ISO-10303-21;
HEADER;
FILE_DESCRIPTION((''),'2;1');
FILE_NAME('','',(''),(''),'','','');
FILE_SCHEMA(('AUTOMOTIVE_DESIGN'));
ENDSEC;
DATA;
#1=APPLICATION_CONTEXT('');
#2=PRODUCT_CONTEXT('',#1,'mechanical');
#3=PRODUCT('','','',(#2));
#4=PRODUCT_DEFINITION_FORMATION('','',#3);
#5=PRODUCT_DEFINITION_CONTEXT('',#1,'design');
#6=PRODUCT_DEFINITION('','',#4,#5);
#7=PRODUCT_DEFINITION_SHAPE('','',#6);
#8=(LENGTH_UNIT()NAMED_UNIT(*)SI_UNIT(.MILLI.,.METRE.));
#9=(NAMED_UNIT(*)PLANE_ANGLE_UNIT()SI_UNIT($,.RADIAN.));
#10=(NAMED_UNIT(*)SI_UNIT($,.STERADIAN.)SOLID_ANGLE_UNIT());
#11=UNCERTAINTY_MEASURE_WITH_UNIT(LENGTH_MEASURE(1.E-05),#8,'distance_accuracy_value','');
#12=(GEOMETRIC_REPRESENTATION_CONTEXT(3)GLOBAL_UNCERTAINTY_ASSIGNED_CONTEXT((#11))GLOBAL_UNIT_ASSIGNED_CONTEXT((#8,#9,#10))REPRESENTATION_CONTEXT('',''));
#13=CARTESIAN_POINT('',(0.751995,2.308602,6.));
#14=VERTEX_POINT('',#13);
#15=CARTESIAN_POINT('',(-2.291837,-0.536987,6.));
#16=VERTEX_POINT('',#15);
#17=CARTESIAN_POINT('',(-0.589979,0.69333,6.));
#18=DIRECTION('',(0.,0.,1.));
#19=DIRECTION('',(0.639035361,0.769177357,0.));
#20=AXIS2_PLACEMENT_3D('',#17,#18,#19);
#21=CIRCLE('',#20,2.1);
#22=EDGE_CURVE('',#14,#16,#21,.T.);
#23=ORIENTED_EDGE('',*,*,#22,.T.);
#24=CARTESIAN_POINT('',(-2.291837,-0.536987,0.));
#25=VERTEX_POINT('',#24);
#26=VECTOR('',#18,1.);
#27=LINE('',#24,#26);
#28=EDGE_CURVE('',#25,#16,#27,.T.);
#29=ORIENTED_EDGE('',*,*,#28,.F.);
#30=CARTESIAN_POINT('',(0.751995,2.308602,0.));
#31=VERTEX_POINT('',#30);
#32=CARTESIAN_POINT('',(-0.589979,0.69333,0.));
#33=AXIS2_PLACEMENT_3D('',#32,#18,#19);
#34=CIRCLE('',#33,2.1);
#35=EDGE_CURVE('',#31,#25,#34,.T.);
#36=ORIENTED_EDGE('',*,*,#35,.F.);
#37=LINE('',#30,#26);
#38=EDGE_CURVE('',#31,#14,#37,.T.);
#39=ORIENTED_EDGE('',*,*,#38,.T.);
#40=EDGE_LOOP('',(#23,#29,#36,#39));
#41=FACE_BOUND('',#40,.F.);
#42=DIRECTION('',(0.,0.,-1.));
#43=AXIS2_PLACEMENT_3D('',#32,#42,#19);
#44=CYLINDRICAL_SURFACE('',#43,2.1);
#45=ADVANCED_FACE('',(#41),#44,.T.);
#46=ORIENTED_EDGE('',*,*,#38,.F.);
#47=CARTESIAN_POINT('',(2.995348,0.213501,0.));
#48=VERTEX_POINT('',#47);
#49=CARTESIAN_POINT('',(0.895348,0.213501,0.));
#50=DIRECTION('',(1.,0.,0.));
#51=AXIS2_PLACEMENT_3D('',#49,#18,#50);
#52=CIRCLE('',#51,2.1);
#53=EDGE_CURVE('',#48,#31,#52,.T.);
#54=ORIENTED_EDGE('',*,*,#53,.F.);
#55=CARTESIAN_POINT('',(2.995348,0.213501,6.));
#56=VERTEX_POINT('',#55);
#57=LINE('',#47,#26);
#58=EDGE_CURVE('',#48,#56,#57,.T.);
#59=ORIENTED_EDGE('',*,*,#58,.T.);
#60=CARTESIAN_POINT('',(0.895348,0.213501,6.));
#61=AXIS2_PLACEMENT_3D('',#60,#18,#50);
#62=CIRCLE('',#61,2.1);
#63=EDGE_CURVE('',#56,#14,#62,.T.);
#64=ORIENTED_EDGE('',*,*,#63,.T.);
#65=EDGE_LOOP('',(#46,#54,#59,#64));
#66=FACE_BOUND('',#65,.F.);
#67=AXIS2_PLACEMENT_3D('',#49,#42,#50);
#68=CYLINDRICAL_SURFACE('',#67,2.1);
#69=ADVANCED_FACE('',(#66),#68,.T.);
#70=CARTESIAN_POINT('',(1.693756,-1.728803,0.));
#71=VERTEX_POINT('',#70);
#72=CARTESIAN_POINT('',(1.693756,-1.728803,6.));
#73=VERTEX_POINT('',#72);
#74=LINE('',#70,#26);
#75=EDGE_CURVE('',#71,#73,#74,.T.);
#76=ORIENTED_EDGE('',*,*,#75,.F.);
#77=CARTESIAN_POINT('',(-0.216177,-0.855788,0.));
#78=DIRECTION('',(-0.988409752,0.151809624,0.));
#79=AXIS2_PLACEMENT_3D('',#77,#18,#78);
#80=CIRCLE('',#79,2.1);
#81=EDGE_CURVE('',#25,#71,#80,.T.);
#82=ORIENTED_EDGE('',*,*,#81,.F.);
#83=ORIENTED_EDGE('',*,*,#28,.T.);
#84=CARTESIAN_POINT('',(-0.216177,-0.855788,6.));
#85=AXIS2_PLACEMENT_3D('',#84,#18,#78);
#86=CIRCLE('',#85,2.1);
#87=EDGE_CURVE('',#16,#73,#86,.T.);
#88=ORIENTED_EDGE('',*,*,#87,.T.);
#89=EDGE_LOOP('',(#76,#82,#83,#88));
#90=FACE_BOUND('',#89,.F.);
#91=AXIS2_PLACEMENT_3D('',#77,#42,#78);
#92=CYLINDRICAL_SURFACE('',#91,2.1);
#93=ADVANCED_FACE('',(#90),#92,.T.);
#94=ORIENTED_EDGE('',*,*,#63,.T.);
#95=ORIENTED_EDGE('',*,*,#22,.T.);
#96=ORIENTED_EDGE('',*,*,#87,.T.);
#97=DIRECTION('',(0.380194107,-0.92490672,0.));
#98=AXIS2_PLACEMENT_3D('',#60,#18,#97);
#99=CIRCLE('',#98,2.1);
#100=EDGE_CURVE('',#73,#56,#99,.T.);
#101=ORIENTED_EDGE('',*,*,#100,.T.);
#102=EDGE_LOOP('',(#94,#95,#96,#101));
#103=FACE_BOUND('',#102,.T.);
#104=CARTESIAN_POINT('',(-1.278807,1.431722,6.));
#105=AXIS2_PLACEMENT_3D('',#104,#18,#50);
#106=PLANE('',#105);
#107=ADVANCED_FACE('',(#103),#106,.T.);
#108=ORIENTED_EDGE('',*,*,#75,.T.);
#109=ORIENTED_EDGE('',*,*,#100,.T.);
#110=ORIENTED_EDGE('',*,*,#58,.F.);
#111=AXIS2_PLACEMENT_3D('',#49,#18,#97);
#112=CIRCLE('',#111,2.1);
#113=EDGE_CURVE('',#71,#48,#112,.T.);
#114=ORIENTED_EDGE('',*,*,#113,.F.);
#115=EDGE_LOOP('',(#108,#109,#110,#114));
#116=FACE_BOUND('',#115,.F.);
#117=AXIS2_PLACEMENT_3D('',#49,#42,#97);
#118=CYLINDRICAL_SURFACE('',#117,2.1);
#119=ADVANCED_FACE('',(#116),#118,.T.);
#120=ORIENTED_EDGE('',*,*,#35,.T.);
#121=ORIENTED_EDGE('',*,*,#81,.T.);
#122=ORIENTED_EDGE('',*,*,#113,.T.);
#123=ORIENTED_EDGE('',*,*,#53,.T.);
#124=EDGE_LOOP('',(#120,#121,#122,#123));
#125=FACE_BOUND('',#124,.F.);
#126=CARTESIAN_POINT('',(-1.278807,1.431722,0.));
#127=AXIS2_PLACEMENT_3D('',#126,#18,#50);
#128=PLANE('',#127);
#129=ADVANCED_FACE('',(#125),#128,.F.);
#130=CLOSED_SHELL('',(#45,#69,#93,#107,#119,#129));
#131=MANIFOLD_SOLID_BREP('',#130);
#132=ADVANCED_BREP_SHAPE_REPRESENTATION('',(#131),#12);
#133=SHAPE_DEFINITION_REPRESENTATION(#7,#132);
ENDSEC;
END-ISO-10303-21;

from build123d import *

# Parameters (mm, degrees)
F1_DEPTH = 6


with BuildPart() as f1:
    # F0 (on Top) → F1 (new body)
    with BuildSketch(Plane.XY):
        with BuildLine():
            ThreePointArc((-1.0145844789, 1.0865165004), (-0.2993773481, 1.940530033), (0.7519947958, 2.3086019946))
            ThreePointArc((0.7519947958, 2.3086019946), (-2.0241077025, 2.2273687204), (-2.2918373339, -0.5369874017))
            ThreePointArc((-2.2918373339, -0.5369874017), (-1.8666337902, 0.4426698973), (-1.0145844789, 1.0865165004))
        make_face()
        with BuildLine():
            ThreePointArc((1.4856810162, 0.3745293341), (1.5039268153, 0.5334655504), (1.5100205367, 0.6933295444))
            ThreePointArc((1.5100205367, 0.6933295444), (1.3110920693, 1.5854769695), (0.7519947958, 2.3086019946))
            ThreePointArc((0.7519947958, 2.3086019946), (-0.2993773481, 1.940530033), (-1.0145844789, 1.0865165004))
            ThreePointArc((-1.0145844789, 1.0865165004), (0.3589640136, 1.1639185502), (1.4856810162, 0.3745293341))
        make_face()
        with BuildLine():
            ThreePointArc((0.7519947958, 2.3086019946), (1.3110920693, 1.5854769695), (1.5100205367, 0.6933295444))
            ThreePointArc((1.5100205367, 0.6933295444), (1.5039268153, 0.5334655504), (1.4856810162, 0.3745293341))
            ThreePointArc((1.4856810162, 0.3745293341), (1.7818098232, -0.2092203411), (1.8838231455, -0.855787612))
            ThreePointArc((1.8838231455, -0.855787612), (1.835756242, -1.3025208295), (1.6937559383, -1.7288034923))
            ThreePointArc((1.6937559383, -1.7288034923), (2.6398620013, -0.9555468529), (2.9953483138, 0.2135006202))
            ThreePointArc((2.9953483138, 0.2135006202), (2.3286936337, 1.7482713503), (0.7519947958, 2.3086019946))
        make_face()
        with BuildLine():
            ThreePointArc((-0.4466259452, -1.4017718299), (0.8312232797, -0.8526920477), (1.4856810162, 0.3745293341))
            ThreePointArc((1.4856810162, 0.3745293341), (0.3589640136, 1.1639185502), (-1.0145844789, 1.0865165004))
            ThreePointArc((-1.0145844789, 1.0865165004), (-1.1519962034, -0.2538112969), (-0.4466259452, -1.4017718299))
        make_face()
        with BuildLine():
            ThreePointArc((-1.0145844789, 1.0865165004), (-1.8666337902, 0.4426698973), (-2.2918373339, -0.5369874017))
            ThreePointArc((-2.2918373339, -0.5369874017), (-1.4811567639, -1.2081969526), (-0.4466259452, -1.4017718299))
            ThreePointArc((-0.4466259452, -1.4017718299), (-1.1519962034, -0.2538112969), (-1.0145844789, 1.0865165004))
        make_face()
        with BuildLine():
            ThreePointArc((-0.4466259452, -1.4017718299), (-1.4811567639, -1.2081969526), (-2.2918373339, -0.5369874017))
            ThreePointArc((-2.2918373339, -0.5369874017), (-0.8178186208, -2.8677585823), (1.6937559383, -1.7288034923))
            ThreePointArc((1.6937559383, -1.7288034923), (0.5781676104, -1.8624079523), (-0.4466259452, -1.4017718299))
        make_face()
        with BuildLine():
            ThreePointArc((1.8838231455, -0.855787612), (1.7818098232, -0.2092203411), (1.4856810162, 0.3745293341))
            ThreePointArc((1.4856810162, 0.3745293341), (0.8312232797, -0.8526920477), (-0.4466259452, -1.4017718299))
            ThreePointArc((-0.4466259452, -1.4017718299), (0.5781676104, -1.8624079523), (1.6937559383, -1.7288034923))
            ThreePointArc((1.6937559383, -1.7288034923), (1.835756242, -1.3025208295), (1.8838231455, -0.855787612))
        make_face()
    extrude(amount=F1_DEPTH)


solid = f1.part
